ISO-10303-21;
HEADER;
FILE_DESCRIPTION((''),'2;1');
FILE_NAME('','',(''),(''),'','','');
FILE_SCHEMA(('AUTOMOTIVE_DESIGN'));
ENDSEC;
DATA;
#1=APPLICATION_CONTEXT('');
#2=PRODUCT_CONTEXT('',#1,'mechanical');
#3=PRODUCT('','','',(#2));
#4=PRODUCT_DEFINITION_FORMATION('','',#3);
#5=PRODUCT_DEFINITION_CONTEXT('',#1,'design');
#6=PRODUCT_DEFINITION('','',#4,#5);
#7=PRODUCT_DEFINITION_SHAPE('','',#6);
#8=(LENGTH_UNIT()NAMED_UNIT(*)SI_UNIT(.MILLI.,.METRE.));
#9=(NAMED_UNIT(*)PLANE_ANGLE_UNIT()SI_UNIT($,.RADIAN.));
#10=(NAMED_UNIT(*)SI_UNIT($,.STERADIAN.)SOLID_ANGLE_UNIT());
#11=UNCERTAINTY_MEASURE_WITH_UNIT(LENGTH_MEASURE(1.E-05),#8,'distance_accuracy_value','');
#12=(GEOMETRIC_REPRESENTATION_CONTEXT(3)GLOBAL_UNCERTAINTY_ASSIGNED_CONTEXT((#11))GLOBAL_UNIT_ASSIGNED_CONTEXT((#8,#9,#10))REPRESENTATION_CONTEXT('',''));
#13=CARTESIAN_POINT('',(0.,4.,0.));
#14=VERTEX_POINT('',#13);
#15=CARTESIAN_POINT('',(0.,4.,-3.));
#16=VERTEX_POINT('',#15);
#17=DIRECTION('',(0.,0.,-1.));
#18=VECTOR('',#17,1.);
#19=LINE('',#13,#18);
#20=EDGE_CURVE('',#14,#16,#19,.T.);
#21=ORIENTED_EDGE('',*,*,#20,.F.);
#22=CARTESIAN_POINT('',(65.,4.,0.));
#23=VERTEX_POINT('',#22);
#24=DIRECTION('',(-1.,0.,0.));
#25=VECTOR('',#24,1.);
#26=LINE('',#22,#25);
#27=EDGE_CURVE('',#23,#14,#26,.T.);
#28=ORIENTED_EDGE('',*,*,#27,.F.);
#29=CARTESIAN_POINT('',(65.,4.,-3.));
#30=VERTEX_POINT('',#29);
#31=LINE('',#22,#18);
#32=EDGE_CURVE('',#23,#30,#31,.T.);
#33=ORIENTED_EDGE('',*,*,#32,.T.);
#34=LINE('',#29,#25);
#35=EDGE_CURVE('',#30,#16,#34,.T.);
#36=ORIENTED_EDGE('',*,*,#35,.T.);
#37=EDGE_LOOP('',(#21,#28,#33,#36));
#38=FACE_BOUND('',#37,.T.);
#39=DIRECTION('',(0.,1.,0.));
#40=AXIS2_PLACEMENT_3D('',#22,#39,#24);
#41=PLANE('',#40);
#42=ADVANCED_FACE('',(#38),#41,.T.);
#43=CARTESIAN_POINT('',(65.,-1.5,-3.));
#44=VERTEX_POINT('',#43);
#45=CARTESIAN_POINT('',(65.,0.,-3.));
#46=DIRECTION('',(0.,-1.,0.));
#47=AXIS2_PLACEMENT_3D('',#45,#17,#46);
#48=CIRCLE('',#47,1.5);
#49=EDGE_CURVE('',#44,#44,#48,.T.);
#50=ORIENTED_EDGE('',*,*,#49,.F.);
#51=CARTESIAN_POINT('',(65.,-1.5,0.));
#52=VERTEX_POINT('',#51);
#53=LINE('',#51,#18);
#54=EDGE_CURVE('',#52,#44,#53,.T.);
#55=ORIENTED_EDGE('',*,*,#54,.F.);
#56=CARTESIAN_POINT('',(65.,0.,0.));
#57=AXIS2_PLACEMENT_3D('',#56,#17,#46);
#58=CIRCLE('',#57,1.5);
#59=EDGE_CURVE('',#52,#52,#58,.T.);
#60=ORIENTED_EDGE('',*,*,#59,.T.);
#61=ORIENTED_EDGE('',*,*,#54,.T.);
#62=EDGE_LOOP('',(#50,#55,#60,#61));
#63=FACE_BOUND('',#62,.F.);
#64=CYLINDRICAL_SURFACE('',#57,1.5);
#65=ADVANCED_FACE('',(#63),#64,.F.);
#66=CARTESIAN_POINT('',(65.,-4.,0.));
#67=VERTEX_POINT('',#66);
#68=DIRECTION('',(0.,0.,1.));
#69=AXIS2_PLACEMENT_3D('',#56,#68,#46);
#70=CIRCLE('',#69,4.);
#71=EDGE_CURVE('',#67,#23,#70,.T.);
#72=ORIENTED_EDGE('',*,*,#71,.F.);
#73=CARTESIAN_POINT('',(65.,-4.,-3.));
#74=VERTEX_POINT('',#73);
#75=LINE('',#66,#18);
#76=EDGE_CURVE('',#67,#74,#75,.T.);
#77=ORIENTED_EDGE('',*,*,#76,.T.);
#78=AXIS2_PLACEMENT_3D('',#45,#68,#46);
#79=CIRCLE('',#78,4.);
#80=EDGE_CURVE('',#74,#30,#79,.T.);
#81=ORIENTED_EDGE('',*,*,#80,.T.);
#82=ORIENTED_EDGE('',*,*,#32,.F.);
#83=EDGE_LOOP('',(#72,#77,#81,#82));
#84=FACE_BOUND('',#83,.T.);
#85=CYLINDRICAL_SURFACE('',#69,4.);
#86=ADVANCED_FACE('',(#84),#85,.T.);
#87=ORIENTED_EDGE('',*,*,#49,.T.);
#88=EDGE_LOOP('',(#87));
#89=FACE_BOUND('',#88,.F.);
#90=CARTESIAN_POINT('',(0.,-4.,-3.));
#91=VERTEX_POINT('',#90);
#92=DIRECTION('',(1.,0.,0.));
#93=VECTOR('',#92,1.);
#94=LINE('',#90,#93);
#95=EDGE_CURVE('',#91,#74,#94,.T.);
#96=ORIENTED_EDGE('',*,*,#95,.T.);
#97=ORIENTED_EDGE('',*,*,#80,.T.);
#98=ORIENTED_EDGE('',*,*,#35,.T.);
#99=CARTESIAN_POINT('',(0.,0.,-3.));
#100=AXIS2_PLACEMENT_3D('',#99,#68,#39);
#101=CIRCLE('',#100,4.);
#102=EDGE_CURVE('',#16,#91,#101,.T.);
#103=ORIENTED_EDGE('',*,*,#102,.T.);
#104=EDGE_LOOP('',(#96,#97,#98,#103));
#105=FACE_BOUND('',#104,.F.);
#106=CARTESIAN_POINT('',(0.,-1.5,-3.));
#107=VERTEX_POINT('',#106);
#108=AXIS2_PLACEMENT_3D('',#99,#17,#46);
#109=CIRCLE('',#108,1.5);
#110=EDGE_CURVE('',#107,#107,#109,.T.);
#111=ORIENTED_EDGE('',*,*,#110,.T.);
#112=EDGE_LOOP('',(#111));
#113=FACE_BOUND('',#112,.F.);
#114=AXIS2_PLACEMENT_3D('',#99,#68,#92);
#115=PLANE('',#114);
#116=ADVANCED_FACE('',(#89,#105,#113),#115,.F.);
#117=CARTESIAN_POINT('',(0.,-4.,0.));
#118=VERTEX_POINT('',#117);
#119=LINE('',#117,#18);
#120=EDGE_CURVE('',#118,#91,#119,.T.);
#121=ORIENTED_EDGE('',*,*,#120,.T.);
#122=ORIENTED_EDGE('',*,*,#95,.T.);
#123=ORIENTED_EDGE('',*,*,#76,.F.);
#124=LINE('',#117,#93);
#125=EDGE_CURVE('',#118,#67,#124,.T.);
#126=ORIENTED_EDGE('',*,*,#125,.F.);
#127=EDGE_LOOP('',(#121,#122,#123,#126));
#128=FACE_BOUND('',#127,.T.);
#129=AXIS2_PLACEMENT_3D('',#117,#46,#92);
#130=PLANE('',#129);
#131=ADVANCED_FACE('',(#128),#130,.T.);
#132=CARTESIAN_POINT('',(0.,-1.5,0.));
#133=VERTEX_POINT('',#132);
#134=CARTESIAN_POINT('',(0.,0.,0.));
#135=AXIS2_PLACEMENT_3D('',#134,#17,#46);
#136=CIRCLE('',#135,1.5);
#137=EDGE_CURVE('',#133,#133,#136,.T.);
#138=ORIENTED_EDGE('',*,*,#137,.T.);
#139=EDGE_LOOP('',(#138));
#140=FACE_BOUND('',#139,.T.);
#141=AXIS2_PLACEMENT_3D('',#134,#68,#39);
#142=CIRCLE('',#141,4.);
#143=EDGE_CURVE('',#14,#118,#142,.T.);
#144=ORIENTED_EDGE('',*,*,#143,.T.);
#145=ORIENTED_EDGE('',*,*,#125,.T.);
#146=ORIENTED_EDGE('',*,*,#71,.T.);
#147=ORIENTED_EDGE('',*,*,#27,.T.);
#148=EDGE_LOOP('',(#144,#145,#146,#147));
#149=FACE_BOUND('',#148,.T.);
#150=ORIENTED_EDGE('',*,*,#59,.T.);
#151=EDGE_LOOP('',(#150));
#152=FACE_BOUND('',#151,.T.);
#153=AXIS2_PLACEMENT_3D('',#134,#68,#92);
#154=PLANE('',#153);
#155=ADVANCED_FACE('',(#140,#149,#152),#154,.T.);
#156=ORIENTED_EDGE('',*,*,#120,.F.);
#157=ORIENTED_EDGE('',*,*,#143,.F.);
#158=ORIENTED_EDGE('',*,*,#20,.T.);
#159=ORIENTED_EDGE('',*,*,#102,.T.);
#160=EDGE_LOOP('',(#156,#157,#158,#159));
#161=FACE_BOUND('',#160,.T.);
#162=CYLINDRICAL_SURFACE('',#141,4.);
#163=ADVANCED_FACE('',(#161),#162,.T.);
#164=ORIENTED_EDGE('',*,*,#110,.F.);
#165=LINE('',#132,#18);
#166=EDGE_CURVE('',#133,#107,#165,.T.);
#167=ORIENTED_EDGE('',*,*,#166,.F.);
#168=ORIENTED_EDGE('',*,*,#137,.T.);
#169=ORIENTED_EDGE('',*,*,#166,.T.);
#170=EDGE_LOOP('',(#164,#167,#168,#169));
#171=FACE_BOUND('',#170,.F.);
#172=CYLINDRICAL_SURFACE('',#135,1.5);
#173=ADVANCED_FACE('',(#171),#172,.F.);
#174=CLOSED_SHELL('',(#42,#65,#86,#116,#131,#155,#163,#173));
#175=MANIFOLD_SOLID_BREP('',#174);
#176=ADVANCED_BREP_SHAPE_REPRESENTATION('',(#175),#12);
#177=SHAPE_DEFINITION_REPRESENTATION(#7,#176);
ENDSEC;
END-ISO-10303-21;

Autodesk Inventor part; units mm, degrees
ref_plane "YZ Plane" through (0, 0, 0) normal (1, 0, 0) x (0, 1, 0)
ref_plane "XZ Plane" through (0, 0, 0) normal (0, 1, 0) x (-1, 0, 0)
ref_plane "XY Plane" through (0, 0, 0) normal (0, 0, 1) x (1, 0, 0)
sketch "Sketch1" plane through (0, 0, 0) normal (0, 0, 1) x (1, 0, 0)
  line L0 (0, 0) -> (65, 0) construction
  line L1 (0, -4) -> (65, -4)
  line L2 (65, 4) -> (0, 4)
  arc A0 (0, 4) -> (0, -4) centre (0, 0) ccw
  arc A1 (65, -4) -> (65, 4) centre (65, 0) ccw
  point P0 (32.5, 0)
  dimension "d0" = 65
  dimension "d1" = 4
extrude "Extrusion1" add sketch "Sketch1" against normal blind 3
hole "Hole1" at (0, 0, 0) at (65, 0, 0) direction (0, 0, -1) diameter 3 depth 8 tip angle 118
properties part number "LegBaseLink"
